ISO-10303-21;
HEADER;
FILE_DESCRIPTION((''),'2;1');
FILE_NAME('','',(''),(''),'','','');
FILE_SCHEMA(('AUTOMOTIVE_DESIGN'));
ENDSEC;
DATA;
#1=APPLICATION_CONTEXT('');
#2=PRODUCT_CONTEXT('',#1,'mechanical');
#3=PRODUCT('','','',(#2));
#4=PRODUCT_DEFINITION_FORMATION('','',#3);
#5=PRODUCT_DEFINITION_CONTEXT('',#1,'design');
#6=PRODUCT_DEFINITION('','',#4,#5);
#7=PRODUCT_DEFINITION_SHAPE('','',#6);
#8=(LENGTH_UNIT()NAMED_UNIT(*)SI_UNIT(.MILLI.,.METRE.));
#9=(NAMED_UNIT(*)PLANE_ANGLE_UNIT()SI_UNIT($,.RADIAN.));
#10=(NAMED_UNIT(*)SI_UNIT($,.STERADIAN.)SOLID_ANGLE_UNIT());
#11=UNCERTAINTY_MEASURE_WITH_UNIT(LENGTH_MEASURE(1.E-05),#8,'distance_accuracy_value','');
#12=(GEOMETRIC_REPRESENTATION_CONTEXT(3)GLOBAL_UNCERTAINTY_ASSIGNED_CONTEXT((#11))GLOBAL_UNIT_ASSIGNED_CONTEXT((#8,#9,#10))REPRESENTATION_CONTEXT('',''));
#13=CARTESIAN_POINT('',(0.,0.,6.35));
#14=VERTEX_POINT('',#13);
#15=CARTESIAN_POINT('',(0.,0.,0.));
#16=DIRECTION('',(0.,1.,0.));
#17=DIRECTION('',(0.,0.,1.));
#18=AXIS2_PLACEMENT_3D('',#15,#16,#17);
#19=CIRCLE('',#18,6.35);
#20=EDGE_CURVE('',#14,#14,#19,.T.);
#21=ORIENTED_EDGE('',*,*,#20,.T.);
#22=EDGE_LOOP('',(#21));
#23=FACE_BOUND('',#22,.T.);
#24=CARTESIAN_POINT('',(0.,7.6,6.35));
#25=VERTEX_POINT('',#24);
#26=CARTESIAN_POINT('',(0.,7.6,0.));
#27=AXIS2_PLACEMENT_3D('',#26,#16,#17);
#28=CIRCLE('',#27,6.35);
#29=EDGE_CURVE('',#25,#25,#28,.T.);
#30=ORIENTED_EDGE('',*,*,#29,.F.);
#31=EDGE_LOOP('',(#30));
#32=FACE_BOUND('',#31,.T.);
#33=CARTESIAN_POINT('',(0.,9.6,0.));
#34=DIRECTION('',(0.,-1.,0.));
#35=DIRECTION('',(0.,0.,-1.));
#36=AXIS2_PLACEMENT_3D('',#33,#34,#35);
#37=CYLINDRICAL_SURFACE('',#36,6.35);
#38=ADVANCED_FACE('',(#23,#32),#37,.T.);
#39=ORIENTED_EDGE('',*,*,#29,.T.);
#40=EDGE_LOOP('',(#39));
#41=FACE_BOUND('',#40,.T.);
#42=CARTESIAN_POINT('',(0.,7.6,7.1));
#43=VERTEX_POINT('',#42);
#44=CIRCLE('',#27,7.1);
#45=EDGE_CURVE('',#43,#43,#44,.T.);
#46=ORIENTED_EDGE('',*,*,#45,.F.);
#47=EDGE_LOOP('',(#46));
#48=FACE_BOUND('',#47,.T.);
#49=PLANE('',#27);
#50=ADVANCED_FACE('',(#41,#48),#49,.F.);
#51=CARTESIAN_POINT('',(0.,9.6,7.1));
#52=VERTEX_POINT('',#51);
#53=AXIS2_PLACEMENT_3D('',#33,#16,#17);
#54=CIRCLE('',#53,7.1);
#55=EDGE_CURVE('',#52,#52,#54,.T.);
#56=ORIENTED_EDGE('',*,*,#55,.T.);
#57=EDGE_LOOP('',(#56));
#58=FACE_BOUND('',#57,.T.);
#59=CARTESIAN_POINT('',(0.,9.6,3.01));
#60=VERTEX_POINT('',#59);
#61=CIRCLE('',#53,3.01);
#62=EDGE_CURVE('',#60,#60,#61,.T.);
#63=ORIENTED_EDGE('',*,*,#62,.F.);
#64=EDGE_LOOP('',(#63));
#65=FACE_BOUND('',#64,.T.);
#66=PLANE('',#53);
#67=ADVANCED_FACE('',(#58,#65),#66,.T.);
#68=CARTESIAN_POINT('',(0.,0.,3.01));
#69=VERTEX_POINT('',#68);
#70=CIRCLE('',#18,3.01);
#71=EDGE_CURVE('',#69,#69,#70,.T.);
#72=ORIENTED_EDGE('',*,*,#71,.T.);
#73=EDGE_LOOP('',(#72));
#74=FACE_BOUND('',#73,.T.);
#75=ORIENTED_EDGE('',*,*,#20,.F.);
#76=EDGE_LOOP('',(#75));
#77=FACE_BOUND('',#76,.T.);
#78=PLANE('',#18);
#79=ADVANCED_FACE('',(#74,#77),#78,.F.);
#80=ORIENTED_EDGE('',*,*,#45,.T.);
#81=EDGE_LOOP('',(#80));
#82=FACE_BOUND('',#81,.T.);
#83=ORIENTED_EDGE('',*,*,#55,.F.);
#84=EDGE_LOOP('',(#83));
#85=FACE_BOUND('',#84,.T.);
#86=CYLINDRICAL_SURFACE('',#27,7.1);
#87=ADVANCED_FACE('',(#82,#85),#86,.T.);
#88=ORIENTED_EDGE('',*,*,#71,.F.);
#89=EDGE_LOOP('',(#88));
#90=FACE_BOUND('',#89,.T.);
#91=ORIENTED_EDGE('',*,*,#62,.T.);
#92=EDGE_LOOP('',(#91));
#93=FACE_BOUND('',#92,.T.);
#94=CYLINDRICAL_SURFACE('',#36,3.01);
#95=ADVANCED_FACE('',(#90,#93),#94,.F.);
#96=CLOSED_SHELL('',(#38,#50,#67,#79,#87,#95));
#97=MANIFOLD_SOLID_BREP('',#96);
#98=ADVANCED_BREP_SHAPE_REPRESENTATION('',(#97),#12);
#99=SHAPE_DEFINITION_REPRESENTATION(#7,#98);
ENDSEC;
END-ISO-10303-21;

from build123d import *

# Parameters (mm, degrees)
SKETCH1_R           = 6.35
SKETCH1_R_2         = 3.01
BOSS_EXTRUDE1_DEPTH = 9.6
SKETCH2_R           = 7.1
SKETCH2_R_2         = 5
BOSS_EXTRUDE2_DEPTH = 2


with BuildPart() as part:
    # Sketch1 → Boss-Extrude1 (new body)
    with BuildSketch(Plane(origin=(0, 0, 0), x_dir=(1, 0, 0), z_dir=(0, 1, 0))):
        Circle(SKETCH1_R)
        Circle(SKETCH1_R_2, mode=Mode.SUBTRACT)
    extrude(amount=BOSS_EXTRUDE1_DEPTH)

    # Sketch2 → Boss-Extrude2 (add)
    with BuildSketch(Plane(origin=(0, 9.6, 0), x_dir=(-1, 0, 0), z_dir=(0, 1, 0))):
        Circle(SKETCH2_R)
        Circle(SKETCH2_R_2, mode=Mode.SUBTRACT)
    extrude(amount=-BOSS_EXTRUDE2_DEPTH)


solid = part.part
